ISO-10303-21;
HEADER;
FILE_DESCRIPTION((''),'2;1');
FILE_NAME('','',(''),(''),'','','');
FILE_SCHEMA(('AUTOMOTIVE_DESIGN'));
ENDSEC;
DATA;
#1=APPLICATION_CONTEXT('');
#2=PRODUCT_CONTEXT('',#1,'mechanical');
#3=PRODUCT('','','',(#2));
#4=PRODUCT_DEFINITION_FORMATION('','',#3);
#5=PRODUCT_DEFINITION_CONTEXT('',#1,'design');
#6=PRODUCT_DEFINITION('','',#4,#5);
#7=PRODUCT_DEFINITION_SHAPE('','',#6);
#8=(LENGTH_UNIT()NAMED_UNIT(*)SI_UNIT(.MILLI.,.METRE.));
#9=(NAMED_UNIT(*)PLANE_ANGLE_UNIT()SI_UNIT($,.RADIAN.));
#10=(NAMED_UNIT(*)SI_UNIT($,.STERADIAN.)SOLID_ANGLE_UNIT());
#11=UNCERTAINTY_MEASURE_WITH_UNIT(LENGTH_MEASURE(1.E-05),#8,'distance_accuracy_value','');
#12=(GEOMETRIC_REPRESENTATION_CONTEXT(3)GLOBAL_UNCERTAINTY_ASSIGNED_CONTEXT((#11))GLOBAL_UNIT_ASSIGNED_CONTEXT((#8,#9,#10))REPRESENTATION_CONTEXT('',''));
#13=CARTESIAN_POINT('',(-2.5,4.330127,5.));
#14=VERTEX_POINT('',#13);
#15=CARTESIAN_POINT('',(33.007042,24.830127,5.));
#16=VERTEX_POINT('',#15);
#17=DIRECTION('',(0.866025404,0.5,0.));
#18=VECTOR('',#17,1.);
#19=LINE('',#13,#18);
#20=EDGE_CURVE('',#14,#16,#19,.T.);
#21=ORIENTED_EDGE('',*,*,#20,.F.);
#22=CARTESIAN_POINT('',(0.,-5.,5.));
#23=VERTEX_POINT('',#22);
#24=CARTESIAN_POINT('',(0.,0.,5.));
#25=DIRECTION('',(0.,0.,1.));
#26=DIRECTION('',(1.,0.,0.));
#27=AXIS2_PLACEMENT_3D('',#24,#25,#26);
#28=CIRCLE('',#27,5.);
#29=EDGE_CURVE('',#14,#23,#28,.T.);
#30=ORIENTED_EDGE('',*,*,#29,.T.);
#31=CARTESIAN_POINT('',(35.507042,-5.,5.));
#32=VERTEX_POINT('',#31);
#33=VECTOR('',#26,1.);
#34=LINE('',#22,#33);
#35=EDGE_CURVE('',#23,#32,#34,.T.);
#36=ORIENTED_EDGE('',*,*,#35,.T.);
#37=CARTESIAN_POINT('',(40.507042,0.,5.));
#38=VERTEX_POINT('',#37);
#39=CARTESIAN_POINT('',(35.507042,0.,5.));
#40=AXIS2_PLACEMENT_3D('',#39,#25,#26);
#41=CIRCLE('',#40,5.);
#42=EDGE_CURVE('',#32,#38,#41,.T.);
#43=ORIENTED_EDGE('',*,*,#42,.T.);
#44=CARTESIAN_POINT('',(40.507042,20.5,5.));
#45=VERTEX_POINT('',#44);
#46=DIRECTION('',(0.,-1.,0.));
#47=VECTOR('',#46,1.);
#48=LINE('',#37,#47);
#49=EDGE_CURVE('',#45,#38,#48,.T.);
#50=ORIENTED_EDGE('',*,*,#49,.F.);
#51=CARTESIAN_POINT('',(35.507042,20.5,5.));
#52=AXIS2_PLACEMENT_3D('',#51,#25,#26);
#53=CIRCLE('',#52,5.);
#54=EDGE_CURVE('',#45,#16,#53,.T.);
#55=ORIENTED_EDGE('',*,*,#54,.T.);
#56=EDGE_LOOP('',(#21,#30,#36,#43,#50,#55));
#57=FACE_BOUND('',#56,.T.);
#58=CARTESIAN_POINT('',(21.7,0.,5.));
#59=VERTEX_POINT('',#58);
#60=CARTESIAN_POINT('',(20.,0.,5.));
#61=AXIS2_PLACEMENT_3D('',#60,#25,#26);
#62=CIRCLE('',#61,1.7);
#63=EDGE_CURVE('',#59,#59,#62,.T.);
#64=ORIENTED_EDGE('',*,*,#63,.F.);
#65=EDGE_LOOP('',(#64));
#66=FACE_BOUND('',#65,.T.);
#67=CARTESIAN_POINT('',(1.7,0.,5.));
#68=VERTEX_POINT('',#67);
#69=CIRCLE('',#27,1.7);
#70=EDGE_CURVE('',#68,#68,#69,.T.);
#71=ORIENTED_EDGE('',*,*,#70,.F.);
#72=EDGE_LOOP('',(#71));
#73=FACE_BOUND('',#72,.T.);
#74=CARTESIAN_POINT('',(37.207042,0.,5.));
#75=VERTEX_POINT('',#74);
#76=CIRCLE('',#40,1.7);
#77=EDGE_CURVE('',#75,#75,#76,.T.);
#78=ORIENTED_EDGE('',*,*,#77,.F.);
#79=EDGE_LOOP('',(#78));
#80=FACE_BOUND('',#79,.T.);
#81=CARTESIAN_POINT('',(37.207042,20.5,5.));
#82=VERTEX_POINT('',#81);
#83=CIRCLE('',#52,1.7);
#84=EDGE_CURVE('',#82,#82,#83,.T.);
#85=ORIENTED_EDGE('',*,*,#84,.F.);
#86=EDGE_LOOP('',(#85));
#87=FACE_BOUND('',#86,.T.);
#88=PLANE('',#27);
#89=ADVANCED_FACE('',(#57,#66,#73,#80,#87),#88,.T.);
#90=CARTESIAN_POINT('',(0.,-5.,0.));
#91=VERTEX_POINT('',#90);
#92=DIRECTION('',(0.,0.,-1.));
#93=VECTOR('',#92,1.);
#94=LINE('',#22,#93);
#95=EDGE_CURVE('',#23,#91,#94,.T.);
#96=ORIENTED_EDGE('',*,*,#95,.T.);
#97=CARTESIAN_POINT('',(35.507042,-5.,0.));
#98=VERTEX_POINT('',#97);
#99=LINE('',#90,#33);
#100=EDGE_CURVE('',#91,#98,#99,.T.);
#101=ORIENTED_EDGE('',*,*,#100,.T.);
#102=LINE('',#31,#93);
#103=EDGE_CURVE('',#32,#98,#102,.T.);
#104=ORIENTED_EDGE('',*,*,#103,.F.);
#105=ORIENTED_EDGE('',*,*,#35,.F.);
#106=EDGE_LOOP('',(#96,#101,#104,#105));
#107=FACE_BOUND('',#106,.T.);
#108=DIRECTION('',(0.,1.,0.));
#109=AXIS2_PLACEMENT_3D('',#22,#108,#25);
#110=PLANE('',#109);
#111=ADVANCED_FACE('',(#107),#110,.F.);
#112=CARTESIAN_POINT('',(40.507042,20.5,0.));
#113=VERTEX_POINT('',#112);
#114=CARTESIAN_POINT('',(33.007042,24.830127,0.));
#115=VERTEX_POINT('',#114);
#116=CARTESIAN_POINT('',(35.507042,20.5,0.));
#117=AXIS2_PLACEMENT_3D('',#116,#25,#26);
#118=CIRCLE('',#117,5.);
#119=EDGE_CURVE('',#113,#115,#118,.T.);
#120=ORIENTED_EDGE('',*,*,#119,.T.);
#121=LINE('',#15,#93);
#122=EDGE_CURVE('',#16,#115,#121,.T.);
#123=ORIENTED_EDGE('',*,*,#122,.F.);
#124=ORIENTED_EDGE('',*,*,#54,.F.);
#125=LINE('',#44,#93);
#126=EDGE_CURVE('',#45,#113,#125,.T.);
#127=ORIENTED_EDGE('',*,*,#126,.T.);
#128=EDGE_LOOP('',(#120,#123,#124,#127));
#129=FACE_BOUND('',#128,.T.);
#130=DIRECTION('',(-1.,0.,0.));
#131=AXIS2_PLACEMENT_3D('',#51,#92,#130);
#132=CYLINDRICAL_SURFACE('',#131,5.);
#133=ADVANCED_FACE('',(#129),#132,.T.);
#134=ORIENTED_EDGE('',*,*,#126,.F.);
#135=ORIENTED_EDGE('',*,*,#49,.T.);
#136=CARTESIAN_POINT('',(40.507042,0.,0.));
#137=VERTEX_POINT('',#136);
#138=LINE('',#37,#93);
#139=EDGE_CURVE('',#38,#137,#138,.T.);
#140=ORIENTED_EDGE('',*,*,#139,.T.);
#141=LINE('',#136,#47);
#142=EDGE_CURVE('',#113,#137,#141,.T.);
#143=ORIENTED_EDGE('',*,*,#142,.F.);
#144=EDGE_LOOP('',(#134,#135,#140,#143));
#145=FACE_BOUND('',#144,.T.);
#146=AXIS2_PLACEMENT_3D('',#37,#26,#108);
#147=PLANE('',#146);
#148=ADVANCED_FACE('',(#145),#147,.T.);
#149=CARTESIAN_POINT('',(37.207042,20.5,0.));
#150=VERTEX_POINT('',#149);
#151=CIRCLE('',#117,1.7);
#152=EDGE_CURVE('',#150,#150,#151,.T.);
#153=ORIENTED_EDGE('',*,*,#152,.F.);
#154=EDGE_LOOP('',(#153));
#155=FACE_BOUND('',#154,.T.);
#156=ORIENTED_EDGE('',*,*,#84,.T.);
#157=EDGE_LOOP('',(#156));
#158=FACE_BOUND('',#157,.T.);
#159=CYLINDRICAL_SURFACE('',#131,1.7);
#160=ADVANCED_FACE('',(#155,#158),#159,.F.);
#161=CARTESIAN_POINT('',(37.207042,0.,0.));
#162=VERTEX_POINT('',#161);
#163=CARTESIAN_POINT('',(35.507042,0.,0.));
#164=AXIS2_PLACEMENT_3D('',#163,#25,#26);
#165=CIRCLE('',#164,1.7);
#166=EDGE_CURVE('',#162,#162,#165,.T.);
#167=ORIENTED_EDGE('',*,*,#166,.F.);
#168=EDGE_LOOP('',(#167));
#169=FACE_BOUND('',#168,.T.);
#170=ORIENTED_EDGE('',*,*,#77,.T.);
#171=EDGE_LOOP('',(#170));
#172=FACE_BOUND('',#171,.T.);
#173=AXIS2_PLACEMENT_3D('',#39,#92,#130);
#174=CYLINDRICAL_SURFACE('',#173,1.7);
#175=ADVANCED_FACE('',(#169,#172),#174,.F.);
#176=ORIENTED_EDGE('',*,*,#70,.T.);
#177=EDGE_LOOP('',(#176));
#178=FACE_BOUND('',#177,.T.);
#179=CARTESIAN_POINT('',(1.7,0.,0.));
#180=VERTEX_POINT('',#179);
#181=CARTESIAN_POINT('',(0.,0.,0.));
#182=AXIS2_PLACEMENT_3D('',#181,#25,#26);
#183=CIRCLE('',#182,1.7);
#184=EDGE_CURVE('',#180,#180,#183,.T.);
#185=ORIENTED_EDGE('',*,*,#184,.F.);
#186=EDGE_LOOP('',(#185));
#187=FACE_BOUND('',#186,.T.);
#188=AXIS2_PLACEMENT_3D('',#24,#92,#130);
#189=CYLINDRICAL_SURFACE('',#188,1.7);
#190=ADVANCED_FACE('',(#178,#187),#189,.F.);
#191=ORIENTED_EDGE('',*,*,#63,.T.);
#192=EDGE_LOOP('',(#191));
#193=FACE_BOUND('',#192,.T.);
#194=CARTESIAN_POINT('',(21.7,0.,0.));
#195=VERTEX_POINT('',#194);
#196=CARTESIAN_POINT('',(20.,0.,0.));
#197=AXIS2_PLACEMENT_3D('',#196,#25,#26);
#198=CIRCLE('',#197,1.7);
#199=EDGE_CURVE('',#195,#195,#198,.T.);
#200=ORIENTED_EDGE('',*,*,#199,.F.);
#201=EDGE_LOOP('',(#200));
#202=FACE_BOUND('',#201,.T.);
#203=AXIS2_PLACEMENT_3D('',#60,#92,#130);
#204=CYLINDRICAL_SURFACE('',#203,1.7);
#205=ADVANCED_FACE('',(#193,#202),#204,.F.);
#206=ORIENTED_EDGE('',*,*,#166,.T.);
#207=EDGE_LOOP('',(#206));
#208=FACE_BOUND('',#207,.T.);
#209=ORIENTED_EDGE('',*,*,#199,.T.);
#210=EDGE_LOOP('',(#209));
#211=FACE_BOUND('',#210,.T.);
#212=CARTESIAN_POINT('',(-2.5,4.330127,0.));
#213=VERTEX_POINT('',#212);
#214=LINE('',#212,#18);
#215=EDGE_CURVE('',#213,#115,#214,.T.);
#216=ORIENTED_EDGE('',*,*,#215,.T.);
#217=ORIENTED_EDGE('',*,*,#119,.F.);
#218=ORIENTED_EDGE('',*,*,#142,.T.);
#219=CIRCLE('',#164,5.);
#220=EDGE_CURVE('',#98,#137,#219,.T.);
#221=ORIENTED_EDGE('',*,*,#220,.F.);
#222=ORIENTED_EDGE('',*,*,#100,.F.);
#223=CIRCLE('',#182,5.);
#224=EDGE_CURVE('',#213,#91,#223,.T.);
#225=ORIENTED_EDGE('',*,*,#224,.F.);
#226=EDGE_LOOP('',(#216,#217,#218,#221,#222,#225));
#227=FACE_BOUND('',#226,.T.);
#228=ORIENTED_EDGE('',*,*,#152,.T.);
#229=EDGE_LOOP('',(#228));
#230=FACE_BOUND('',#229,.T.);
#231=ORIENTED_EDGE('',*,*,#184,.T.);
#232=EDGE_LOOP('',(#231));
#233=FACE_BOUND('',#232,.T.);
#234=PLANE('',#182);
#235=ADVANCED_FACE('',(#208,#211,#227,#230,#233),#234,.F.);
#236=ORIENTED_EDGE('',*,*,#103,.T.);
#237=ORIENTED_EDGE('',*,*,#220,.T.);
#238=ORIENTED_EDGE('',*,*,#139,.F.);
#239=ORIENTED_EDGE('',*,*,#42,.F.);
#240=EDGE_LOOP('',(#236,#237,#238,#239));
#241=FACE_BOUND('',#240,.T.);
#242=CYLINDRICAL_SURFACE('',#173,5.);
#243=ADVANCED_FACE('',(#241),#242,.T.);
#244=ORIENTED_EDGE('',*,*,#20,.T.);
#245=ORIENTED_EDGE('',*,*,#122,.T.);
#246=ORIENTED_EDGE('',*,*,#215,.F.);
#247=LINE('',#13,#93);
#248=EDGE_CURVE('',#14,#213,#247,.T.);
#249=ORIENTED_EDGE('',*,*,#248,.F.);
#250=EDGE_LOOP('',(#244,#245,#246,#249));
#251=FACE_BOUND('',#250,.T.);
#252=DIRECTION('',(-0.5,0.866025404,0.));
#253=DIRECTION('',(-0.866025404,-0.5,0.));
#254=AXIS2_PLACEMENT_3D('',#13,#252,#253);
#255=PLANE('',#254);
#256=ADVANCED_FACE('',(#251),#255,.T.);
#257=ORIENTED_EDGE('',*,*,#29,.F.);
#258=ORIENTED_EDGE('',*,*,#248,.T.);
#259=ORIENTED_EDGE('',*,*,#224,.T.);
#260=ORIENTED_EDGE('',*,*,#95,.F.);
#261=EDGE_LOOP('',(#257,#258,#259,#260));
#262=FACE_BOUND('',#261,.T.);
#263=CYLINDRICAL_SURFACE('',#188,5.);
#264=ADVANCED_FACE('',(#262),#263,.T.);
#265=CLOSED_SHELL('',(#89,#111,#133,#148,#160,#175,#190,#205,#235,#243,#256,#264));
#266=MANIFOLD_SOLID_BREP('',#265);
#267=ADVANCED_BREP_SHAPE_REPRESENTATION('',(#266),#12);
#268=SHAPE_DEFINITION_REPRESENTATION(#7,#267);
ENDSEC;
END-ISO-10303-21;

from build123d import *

# Parameters (mm, degrees)
SKETCH_1_R      = 1.7
EXTRUDE_1_DEPTH = 5


with BuildPart() as part:
    # ｽｹｯﾁ1 → ﾎﾞｽ - 押し出し1 (new body)
    with BuildSketch(Plane.XY):
        with BuildLine():
            ThreePointArc((35.507041555, -5), (39.042575461, -3.535533906), (40.507041555, 0))
            Line((40.507041555, 0), (40.507041555, 20.5))
            ThreePointArc((40.507041555, 20.5), (38.007041622, 24.830126981), (33.007041688, 24.830127096))
            Line((33.007041688, 24.830127096), (-2.50000007, 4.330126978))
            ThreePointArc((-2.50000007, 4.330126978), (-4.829629126, -1.294095246), (-3.8e-08, -5))
            Line((-3.8e-08, -5), (35.507041555, -5))
        make_face()
        Circle(SKETCH_1_R, mode=Mode.SUBTRACT)
        with Locations((20, 0)):
            Circle(SKETCH_1_R, mode=Mode.SUBTRACT)
        with Locations((35.507041555, 0)):
            Circle(SKETCH_1_R, mode=Mode.SUBTRACT)
        with Locations((35.507041555, 20.5)):
            Circle(SKETCH_1_R, mode=Mode.SUBTRACT)
    extrude(amount=EXTRUDE_1_DEPTH)


solid = part.part
